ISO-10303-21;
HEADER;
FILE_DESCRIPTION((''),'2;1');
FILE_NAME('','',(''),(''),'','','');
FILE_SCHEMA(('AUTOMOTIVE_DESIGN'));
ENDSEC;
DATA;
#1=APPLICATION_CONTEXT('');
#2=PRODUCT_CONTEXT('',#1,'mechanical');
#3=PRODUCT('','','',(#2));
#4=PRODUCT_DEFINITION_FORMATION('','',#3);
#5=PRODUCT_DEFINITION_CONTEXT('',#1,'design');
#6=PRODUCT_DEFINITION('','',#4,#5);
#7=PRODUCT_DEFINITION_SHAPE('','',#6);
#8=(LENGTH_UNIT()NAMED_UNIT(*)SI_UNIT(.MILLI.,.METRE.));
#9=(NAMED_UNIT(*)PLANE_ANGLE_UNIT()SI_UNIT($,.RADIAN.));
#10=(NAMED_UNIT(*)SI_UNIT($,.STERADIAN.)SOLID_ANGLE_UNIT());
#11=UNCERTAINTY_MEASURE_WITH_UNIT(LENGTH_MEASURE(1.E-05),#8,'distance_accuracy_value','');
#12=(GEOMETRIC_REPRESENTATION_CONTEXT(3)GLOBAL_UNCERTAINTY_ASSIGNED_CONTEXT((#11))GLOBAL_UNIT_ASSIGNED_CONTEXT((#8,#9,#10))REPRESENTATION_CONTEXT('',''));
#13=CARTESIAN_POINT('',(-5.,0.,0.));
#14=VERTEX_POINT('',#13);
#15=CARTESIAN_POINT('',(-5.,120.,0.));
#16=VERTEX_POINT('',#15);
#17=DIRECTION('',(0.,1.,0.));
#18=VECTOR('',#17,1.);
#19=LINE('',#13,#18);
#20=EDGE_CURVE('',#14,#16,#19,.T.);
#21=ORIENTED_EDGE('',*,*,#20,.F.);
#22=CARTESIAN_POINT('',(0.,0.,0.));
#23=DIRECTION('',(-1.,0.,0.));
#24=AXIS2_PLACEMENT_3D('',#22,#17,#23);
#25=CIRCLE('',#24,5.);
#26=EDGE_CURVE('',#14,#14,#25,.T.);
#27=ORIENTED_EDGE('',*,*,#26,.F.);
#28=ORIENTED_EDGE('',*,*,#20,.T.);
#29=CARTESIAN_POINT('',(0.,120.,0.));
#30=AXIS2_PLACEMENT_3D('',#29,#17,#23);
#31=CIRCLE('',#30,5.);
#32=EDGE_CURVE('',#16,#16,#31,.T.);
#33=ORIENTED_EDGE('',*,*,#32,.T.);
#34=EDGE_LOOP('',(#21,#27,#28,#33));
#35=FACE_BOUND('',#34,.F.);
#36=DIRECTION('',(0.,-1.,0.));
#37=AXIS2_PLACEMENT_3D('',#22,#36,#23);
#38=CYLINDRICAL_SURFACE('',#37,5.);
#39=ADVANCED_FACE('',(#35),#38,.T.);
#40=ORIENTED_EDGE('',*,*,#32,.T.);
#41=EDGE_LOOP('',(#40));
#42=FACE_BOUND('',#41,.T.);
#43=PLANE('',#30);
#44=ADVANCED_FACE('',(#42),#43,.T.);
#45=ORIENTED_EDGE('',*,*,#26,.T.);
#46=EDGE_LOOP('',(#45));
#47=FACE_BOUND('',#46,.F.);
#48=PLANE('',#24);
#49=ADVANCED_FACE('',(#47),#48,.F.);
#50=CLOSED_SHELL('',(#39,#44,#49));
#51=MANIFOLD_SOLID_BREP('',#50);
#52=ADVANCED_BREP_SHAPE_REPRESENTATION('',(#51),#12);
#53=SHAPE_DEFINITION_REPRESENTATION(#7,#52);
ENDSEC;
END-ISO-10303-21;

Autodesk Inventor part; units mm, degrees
ref_plane "YZ Plane" through (0, 0, 0) normal (1, 0, 0) x (0, 1, 0)
ref_plane "XZ Plane" through (0, 0, 0) normal (0, 1, 0) x (-1, 0, 0)
ref_plane "XY Plane" through (0, 0, 0) normal (0, 0, 1) x (1, 0, 0)
sketch "Sketch1" plane through (0, 0, 0) normal (0, 1, 0) x (-1, 0, 0)
  circle A0 centre (0, 0) radius 5
  dimension "d0" = 10
extrude "Extrusion1" add sketch "Sketch1" along normal blind 120
properties part number "shaft2"
